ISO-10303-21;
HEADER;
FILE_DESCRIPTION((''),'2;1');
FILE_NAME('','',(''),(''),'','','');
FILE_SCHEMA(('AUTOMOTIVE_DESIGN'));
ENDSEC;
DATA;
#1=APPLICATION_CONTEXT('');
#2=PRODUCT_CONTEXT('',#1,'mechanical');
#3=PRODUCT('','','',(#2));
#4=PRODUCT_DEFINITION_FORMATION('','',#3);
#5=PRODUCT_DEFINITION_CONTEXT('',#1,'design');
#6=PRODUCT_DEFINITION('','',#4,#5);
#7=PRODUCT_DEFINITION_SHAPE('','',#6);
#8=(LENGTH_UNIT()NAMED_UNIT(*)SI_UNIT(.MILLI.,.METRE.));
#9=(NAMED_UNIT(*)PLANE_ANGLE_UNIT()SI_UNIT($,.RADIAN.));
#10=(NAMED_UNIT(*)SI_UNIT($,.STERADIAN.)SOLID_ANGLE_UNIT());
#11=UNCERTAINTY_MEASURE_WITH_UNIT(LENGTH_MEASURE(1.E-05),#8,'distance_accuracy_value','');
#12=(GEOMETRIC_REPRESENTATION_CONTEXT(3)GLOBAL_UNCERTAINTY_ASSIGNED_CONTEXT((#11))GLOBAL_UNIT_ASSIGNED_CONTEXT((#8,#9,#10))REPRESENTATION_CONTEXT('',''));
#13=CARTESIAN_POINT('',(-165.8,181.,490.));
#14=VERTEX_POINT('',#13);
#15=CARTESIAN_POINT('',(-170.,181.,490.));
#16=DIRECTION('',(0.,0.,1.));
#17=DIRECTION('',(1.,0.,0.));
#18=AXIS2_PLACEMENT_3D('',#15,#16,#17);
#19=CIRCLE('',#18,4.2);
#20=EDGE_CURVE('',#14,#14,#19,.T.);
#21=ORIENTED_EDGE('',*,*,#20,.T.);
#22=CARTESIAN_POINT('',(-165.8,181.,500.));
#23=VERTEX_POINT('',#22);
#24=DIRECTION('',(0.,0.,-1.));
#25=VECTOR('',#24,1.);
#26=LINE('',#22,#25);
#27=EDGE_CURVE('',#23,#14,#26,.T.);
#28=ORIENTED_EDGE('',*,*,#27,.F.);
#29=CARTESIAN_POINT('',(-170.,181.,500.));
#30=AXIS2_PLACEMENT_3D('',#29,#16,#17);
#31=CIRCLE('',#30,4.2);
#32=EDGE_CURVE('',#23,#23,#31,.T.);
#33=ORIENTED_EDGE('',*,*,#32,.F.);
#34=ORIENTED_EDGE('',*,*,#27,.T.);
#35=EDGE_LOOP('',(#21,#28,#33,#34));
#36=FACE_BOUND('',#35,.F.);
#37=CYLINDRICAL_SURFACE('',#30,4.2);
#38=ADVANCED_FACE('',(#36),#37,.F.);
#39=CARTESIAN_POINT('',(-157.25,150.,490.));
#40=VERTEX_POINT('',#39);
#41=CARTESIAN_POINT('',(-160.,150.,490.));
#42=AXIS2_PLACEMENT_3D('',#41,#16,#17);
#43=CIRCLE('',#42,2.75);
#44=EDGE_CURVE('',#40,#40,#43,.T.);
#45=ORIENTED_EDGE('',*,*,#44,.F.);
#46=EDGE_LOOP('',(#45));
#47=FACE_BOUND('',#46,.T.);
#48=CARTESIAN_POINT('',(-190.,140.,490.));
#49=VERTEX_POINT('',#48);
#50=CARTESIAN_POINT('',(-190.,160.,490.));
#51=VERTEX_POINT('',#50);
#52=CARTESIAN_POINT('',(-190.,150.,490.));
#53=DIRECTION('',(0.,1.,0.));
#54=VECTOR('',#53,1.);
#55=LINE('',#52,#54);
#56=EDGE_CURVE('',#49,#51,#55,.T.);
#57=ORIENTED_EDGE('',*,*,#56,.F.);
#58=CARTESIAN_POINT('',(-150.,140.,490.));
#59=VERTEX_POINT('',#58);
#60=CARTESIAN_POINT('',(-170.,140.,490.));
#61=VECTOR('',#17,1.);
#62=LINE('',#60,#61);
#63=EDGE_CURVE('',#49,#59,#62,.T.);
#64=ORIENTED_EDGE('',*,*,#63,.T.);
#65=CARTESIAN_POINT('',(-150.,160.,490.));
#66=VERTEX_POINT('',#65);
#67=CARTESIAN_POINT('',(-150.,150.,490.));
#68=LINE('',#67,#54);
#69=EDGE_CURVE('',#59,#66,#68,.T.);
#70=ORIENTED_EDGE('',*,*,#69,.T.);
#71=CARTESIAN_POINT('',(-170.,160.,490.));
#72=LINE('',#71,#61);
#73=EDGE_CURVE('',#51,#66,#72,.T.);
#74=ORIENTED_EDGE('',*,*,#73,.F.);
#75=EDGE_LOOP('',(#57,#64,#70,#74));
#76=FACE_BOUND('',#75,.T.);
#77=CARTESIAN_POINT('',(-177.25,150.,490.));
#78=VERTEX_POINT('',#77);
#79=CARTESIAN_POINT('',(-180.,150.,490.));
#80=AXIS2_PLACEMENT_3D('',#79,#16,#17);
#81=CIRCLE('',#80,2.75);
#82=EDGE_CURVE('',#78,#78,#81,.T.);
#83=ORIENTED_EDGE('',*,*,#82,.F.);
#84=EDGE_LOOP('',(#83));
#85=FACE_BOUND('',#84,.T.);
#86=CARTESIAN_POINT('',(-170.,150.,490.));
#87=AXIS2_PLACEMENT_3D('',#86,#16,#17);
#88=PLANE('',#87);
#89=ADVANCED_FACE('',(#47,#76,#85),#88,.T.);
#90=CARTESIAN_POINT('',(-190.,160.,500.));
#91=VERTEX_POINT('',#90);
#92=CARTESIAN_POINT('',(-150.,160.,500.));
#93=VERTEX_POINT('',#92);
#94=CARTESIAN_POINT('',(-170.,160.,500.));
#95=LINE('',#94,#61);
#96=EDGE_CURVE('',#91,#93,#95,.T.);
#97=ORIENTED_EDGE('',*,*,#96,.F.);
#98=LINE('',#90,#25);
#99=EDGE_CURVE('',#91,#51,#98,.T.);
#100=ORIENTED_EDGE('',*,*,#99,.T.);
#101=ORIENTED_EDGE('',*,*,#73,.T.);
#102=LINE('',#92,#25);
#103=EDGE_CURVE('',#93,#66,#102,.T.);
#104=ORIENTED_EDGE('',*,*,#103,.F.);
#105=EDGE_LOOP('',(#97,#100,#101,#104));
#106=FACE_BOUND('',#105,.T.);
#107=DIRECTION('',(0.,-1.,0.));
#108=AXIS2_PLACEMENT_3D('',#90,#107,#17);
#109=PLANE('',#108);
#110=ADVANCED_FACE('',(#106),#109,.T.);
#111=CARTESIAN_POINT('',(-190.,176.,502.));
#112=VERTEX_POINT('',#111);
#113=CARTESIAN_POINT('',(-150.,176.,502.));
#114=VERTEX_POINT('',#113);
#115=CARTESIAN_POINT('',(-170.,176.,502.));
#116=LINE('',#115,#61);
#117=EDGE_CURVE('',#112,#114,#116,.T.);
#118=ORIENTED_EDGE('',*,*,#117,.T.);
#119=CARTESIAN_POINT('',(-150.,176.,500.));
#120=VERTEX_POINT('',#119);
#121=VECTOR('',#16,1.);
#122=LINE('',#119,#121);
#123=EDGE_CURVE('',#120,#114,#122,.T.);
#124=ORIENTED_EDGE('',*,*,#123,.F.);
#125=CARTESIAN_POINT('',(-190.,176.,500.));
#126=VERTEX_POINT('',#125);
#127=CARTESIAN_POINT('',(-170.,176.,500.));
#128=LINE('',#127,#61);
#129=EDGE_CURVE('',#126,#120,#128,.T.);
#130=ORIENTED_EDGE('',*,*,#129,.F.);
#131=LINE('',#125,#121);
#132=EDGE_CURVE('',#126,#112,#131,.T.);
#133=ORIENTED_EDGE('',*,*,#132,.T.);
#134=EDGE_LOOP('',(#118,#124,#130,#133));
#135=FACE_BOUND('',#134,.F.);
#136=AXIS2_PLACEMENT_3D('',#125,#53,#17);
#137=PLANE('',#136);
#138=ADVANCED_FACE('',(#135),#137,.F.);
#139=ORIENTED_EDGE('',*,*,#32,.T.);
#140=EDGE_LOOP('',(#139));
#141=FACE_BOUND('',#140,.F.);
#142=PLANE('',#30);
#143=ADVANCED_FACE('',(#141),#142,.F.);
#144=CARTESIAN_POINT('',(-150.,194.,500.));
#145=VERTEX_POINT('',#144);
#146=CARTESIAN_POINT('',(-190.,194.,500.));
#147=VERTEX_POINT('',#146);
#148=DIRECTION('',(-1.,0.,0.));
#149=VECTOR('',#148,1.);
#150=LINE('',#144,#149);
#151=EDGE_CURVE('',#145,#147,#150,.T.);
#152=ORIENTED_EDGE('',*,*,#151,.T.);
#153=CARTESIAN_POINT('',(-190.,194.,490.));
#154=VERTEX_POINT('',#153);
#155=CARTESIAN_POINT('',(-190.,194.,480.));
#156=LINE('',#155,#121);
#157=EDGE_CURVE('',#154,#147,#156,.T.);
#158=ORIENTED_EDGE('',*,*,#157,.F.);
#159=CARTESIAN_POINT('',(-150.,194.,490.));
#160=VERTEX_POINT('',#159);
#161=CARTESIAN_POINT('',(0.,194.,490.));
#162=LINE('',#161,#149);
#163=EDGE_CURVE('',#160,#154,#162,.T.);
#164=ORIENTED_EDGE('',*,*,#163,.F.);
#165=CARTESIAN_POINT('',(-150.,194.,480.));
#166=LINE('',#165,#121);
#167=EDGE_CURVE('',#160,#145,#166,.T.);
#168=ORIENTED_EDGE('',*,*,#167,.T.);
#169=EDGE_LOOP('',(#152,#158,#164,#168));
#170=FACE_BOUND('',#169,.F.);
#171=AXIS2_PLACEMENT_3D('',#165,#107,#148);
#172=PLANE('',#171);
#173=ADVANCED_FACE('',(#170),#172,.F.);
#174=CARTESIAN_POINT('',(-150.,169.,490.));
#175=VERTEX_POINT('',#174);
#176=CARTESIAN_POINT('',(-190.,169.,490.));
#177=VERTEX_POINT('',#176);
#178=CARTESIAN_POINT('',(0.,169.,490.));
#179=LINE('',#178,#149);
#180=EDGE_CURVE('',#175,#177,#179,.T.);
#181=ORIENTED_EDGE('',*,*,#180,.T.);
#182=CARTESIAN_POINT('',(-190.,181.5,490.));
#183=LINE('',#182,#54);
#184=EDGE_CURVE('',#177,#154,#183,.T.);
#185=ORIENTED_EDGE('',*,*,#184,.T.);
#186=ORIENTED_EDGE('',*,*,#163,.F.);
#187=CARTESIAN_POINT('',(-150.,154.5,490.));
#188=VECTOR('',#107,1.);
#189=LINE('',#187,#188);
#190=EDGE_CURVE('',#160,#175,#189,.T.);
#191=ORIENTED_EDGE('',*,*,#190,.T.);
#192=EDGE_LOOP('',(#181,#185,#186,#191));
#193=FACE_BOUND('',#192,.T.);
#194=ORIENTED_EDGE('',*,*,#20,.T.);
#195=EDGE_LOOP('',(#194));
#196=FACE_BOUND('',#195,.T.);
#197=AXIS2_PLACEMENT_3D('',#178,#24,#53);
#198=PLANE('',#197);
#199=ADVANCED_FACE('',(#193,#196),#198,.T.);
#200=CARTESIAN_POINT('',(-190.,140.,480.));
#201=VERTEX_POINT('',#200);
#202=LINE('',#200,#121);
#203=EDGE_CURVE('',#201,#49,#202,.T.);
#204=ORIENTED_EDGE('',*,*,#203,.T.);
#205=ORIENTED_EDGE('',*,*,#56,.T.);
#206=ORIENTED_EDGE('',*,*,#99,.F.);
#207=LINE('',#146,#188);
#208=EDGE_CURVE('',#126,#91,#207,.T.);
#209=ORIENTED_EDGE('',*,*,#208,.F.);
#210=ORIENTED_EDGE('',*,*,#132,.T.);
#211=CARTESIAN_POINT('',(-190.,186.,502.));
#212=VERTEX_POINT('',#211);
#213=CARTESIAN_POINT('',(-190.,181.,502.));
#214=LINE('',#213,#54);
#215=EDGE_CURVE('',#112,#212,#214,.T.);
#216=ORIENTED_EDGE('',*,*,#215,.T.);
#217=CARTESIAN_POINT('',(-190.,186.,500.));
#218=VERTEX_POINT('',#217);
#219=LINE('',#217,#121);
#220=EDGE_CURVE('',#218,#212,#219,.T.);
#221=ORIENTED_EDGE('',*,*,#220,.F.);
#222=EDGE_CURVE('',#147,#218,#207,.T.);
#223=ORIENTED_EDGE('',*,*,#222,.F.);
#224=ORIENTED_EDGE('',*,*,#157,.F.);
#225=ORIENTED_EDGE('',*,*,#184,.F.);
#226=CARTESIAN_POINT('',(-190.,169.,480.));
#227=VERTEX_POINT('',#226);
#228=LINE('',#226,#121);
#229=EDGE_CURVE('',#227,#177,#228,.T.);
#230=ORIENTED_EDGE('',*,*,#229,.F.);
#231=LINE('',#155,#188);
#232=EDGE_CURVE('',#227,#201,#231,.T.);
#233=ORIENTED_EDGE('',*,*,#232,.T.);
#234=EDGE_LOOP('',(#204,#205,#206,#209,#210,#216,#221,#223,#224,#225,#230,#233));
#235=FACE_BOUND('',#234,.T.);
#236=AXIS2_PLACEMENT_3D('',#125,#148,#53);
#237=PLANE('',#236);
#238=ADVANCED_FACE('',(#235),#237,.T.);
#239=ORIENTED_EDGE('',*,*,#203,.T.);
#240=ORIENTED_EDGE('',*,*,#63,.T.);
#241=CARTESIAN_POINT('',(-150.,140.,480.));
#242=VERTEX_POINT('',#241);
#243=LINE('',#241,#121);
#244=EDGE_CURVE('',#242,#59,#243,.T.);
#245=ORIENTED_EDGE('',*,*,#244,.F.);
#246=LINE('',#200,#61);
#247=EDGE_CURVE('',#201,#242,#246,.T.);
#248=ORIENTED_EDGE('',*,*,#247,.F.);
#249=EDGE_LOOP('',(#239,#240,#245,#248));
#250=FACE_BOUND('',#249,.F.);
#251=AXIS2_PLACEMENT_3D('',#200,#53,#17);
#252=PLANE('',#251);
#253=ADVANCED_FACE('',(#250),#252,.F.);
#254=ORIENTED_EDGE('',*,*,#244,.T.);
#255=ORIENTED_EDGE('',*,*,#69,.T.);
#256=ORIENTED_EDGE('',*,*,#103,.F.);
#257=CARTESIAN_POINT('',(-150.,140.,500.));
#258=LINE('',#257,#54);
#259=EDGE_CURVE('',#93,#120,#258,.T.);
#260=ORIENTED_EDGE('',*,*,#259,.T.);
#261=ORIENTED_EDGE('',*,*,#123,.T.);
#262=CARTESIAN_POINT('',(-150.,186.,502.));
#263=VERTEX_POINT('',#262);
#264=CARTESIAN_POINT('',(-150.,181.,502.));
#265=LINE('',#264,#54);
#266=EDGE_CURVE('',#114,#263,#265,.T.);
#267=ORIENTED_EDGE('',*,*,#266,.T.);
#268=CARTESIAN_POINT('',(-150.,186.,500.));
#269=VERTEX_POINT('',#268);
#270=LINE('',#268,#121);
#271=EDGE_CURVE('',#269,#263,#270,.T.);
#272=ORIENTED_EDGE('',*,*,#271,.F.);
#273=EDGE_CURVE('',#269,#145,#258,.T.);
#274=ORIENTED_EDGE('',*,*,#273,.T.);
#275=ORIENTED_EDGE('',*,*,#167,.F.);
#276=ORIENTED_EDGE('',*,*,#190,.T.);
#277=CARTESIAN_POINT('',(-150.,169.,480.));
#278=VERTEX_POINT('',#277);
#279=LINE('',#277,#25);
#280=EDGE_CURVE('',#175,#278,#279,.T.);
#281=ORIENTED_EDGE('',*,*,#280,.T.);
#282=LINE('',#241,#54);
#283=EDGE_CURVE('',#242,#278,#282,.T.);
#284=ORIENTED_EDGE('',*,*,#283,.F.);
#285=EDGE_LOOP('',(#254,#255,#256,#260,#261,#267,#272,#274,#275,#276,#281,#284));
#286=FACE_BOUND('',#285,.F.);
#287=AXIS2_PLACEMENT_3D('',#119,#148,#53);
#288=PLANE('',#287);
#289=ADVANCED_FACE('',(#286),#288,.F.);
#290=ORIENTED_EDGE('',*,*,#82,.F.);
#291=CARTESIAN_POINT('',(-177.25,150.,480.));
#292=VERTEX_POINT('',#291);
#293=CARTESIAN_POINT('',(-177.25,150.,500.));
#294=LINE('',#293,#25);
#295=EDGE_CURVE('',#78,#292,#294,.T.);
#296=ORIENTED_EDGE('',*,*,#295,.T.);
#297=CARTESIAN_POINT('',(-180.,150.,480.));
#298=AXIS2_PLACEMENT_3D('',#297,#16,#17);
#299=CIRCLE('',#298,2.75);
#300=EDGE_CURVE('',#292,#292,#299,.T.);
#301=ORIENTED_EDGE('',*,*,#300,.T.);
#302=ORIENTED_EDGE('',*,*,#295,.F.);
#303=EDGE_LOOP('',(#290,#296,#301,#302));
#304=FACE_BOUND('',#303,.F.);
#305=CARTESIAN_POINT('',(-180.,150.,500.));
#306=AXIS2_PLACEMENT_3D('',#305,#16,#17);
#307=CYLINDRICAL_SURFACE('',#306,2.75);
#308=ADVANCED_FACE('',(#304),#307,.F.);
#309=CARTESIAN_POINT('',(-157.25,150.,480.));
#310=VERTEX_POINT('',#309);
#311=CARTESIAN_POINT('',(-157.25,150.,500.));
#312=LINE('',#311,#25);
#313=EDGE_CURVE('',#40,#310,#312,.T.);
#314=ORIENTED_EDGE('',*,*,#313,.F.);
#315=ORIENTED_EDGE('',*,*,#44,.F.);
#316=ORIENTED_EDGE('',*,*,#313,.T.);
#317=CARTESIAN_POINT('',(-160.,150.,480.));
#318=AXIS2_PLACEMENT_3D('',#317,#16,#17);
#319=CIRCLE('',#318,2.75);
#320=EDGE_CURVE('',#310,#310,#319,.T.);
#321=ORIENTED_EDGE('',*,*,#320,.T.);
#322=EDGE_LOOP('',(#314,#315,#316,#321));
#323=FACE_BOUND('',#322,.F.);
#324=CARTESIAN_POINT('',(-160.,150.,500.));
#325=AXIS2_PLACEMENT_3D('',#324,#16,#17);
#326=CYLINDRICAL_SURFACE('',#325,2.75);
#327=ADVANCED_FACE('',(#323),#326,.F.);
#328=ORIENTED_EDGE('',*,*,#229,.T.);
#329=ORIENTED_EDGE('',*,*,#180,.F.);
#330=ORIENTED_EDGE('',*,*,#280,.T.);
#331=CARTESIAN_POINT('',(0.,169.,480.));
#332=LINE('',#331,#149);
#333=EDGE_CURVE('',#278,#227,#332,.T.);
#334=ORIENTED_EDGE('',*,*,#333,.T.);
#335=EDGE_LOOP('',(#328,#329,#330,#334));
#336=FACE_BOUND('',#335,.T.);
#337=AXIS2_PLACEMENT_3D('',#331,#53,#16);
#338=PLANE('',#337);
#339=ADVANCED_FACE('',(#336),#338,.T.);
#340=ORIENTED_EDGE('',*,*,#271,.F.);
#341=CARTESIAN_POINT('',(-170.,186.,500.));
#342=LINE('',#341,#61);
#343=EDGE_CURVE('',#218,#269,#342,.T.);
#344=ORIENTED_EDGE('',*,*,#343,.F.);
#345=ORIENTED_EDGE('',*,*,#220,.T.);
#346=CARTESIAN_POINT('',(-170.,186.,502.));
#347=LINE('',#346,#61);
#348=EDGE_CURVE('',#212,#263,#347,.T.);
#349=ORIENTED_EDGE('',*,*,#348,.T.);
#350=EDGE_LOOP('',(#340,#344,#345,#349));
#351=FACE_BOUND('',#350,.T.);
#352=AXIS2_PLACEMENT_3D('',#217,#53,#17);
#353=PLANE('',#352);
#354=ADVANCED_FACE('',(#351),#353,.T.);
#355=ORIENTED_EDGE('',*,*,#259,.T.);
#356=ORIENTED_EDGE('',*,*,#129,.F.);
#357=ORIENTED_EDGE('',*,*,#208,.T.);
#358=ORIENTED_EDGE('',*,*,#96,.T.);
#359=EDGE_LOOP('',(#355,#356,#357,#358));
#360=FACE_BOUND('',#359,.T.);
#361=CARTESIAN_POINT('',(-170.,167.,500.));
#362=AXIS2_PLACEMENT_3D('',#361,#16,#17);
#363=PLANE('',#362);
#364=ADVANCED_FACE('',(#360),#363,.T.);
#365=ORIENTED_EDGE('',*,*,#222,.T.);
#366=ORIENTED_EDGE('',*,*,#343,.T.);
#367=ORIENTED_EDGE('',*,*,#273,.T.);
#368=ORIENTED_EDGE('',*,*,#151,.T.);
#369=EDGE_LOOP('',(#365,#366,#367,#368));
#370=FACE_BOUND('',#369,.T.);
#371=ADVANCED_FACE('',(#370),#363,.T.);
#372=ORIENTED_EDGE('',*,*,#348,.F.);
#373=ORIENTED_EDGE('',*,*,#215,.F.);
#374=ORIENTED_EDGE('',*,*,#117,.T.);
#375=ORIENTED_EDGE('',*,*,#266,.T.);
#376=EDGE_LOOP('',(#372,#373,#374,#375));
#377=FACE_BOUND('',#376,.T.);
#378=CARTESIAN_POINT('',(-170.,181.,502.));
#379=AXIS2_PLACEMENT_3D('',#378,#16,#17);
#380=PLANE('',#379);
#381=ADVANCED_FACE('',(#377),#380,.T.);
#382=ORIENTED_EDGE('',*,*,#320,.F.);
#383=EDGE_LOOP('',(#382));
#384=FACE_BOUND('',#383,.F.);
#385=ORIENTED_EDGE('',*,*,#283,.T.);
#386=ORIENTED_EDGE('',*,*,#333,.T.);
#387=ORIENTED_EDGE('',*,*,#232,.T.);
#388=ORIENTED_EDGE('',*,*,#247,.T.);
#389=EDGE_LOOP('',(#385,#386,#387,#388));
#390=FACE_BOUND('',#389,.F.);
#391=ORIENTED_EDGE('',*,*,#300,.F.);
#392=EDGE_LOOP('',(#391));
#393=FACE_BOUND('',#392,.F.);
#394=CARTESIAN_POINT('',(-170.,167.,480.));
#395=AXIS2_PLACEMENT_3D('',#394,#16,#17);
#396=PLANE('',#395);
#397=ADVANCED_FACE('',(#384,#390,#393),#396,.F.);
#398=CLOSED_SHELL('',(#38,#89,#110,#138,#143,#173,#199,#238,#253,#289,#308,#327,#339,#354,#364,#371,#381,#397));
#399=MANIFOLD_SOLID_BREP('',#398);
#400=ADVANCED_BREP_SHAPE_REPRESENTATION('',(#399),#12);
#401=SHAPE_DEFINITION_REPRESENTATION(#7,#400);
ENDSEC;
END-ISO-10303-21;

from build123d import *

# Parameters (mm, degrees)
PAD020_DEPTH    = 20
SKETCH071_R     = 4.2
HOLE011_DEPTH   = 25
SKETCH072_R     = 2.75
HOLE012_DEPTH   = 25
SKETCH073_W     = 40
SKETCH073_H     = 20
POCKET025_DEPTH = 10
SKETCH074_W     = 25
SKETCH074_H     = 10
POCKET026_DEPTH = 190.001
SKETCH075_W     = 40
SKETCH075_H     = 10
PAD021_DEPTH    = 2


with BuildPart() as part:
    # Sketch070 → Pad020 (new body)
    with BuildSketch(Plane.XY.offset(480)):
        Polygon((-190, 160), (-190, 140), (-150, 140), (-150, 160), (-150, 194), (-190, 194), align=None)
    extrude(amount=PAD020_DEPTH)

    # Sketch071 (on Face8 of Pad020) → Hole011 (cut)
    with BuildSketch(Plane.XY.offset(500)):
        with Locations((-170, 181)):
            Circle(SKETCH071_R)
    extrude(amount=-HOLE011_DEPTH, mode=Mode.SUBTRACT)

    # Sketch072 (on Face5 of Hole011) → Hole012 (cut)
    with BuildSketch(Plane.XY.offset(500)):
        with Locations((-180, 150)):
            Circle(SKETCH072_R)
        with Locations((-160, 150)):
            Circle(SKETCH072_R)
    extrude(amount=-HOLE012_DEPTH, mode=Mode.SUBTRACT)

    # Sketch073 (on Face5 of Hole012) → Pocket025 (cut)
    with BuildSketch(Plane.XY.offset(500)):
        with Locations((-170, 150)):
            Rectangle(SKETCH073_W, SKETCH073_H)
    extrude(amount=-POCKET025_DEPTH, mode=Mode.SUBTRACT)

    # Sketch074 → Pocket026 (cut, through all)
    with BuildSketch(Plane.YZ):
        with Locations((181.5, 485)):
            Rectangle(SKETCH074_W, SKETCH074_H)
    extrude(amount=-POCKET026_DEPTH, mode=Mode.SUBTRACT)

    # Sketch075 (on Face13 of Pocket026) → Pad021 (join)
    with BuildSketch(Plane.XY.offset(500)):
        with Locations((-170, 181)):
            Rectangle(SKETCH075_W, SKETCH075_H)
    extrude(amount=PAD021_DEPTH)


solid = part.part
